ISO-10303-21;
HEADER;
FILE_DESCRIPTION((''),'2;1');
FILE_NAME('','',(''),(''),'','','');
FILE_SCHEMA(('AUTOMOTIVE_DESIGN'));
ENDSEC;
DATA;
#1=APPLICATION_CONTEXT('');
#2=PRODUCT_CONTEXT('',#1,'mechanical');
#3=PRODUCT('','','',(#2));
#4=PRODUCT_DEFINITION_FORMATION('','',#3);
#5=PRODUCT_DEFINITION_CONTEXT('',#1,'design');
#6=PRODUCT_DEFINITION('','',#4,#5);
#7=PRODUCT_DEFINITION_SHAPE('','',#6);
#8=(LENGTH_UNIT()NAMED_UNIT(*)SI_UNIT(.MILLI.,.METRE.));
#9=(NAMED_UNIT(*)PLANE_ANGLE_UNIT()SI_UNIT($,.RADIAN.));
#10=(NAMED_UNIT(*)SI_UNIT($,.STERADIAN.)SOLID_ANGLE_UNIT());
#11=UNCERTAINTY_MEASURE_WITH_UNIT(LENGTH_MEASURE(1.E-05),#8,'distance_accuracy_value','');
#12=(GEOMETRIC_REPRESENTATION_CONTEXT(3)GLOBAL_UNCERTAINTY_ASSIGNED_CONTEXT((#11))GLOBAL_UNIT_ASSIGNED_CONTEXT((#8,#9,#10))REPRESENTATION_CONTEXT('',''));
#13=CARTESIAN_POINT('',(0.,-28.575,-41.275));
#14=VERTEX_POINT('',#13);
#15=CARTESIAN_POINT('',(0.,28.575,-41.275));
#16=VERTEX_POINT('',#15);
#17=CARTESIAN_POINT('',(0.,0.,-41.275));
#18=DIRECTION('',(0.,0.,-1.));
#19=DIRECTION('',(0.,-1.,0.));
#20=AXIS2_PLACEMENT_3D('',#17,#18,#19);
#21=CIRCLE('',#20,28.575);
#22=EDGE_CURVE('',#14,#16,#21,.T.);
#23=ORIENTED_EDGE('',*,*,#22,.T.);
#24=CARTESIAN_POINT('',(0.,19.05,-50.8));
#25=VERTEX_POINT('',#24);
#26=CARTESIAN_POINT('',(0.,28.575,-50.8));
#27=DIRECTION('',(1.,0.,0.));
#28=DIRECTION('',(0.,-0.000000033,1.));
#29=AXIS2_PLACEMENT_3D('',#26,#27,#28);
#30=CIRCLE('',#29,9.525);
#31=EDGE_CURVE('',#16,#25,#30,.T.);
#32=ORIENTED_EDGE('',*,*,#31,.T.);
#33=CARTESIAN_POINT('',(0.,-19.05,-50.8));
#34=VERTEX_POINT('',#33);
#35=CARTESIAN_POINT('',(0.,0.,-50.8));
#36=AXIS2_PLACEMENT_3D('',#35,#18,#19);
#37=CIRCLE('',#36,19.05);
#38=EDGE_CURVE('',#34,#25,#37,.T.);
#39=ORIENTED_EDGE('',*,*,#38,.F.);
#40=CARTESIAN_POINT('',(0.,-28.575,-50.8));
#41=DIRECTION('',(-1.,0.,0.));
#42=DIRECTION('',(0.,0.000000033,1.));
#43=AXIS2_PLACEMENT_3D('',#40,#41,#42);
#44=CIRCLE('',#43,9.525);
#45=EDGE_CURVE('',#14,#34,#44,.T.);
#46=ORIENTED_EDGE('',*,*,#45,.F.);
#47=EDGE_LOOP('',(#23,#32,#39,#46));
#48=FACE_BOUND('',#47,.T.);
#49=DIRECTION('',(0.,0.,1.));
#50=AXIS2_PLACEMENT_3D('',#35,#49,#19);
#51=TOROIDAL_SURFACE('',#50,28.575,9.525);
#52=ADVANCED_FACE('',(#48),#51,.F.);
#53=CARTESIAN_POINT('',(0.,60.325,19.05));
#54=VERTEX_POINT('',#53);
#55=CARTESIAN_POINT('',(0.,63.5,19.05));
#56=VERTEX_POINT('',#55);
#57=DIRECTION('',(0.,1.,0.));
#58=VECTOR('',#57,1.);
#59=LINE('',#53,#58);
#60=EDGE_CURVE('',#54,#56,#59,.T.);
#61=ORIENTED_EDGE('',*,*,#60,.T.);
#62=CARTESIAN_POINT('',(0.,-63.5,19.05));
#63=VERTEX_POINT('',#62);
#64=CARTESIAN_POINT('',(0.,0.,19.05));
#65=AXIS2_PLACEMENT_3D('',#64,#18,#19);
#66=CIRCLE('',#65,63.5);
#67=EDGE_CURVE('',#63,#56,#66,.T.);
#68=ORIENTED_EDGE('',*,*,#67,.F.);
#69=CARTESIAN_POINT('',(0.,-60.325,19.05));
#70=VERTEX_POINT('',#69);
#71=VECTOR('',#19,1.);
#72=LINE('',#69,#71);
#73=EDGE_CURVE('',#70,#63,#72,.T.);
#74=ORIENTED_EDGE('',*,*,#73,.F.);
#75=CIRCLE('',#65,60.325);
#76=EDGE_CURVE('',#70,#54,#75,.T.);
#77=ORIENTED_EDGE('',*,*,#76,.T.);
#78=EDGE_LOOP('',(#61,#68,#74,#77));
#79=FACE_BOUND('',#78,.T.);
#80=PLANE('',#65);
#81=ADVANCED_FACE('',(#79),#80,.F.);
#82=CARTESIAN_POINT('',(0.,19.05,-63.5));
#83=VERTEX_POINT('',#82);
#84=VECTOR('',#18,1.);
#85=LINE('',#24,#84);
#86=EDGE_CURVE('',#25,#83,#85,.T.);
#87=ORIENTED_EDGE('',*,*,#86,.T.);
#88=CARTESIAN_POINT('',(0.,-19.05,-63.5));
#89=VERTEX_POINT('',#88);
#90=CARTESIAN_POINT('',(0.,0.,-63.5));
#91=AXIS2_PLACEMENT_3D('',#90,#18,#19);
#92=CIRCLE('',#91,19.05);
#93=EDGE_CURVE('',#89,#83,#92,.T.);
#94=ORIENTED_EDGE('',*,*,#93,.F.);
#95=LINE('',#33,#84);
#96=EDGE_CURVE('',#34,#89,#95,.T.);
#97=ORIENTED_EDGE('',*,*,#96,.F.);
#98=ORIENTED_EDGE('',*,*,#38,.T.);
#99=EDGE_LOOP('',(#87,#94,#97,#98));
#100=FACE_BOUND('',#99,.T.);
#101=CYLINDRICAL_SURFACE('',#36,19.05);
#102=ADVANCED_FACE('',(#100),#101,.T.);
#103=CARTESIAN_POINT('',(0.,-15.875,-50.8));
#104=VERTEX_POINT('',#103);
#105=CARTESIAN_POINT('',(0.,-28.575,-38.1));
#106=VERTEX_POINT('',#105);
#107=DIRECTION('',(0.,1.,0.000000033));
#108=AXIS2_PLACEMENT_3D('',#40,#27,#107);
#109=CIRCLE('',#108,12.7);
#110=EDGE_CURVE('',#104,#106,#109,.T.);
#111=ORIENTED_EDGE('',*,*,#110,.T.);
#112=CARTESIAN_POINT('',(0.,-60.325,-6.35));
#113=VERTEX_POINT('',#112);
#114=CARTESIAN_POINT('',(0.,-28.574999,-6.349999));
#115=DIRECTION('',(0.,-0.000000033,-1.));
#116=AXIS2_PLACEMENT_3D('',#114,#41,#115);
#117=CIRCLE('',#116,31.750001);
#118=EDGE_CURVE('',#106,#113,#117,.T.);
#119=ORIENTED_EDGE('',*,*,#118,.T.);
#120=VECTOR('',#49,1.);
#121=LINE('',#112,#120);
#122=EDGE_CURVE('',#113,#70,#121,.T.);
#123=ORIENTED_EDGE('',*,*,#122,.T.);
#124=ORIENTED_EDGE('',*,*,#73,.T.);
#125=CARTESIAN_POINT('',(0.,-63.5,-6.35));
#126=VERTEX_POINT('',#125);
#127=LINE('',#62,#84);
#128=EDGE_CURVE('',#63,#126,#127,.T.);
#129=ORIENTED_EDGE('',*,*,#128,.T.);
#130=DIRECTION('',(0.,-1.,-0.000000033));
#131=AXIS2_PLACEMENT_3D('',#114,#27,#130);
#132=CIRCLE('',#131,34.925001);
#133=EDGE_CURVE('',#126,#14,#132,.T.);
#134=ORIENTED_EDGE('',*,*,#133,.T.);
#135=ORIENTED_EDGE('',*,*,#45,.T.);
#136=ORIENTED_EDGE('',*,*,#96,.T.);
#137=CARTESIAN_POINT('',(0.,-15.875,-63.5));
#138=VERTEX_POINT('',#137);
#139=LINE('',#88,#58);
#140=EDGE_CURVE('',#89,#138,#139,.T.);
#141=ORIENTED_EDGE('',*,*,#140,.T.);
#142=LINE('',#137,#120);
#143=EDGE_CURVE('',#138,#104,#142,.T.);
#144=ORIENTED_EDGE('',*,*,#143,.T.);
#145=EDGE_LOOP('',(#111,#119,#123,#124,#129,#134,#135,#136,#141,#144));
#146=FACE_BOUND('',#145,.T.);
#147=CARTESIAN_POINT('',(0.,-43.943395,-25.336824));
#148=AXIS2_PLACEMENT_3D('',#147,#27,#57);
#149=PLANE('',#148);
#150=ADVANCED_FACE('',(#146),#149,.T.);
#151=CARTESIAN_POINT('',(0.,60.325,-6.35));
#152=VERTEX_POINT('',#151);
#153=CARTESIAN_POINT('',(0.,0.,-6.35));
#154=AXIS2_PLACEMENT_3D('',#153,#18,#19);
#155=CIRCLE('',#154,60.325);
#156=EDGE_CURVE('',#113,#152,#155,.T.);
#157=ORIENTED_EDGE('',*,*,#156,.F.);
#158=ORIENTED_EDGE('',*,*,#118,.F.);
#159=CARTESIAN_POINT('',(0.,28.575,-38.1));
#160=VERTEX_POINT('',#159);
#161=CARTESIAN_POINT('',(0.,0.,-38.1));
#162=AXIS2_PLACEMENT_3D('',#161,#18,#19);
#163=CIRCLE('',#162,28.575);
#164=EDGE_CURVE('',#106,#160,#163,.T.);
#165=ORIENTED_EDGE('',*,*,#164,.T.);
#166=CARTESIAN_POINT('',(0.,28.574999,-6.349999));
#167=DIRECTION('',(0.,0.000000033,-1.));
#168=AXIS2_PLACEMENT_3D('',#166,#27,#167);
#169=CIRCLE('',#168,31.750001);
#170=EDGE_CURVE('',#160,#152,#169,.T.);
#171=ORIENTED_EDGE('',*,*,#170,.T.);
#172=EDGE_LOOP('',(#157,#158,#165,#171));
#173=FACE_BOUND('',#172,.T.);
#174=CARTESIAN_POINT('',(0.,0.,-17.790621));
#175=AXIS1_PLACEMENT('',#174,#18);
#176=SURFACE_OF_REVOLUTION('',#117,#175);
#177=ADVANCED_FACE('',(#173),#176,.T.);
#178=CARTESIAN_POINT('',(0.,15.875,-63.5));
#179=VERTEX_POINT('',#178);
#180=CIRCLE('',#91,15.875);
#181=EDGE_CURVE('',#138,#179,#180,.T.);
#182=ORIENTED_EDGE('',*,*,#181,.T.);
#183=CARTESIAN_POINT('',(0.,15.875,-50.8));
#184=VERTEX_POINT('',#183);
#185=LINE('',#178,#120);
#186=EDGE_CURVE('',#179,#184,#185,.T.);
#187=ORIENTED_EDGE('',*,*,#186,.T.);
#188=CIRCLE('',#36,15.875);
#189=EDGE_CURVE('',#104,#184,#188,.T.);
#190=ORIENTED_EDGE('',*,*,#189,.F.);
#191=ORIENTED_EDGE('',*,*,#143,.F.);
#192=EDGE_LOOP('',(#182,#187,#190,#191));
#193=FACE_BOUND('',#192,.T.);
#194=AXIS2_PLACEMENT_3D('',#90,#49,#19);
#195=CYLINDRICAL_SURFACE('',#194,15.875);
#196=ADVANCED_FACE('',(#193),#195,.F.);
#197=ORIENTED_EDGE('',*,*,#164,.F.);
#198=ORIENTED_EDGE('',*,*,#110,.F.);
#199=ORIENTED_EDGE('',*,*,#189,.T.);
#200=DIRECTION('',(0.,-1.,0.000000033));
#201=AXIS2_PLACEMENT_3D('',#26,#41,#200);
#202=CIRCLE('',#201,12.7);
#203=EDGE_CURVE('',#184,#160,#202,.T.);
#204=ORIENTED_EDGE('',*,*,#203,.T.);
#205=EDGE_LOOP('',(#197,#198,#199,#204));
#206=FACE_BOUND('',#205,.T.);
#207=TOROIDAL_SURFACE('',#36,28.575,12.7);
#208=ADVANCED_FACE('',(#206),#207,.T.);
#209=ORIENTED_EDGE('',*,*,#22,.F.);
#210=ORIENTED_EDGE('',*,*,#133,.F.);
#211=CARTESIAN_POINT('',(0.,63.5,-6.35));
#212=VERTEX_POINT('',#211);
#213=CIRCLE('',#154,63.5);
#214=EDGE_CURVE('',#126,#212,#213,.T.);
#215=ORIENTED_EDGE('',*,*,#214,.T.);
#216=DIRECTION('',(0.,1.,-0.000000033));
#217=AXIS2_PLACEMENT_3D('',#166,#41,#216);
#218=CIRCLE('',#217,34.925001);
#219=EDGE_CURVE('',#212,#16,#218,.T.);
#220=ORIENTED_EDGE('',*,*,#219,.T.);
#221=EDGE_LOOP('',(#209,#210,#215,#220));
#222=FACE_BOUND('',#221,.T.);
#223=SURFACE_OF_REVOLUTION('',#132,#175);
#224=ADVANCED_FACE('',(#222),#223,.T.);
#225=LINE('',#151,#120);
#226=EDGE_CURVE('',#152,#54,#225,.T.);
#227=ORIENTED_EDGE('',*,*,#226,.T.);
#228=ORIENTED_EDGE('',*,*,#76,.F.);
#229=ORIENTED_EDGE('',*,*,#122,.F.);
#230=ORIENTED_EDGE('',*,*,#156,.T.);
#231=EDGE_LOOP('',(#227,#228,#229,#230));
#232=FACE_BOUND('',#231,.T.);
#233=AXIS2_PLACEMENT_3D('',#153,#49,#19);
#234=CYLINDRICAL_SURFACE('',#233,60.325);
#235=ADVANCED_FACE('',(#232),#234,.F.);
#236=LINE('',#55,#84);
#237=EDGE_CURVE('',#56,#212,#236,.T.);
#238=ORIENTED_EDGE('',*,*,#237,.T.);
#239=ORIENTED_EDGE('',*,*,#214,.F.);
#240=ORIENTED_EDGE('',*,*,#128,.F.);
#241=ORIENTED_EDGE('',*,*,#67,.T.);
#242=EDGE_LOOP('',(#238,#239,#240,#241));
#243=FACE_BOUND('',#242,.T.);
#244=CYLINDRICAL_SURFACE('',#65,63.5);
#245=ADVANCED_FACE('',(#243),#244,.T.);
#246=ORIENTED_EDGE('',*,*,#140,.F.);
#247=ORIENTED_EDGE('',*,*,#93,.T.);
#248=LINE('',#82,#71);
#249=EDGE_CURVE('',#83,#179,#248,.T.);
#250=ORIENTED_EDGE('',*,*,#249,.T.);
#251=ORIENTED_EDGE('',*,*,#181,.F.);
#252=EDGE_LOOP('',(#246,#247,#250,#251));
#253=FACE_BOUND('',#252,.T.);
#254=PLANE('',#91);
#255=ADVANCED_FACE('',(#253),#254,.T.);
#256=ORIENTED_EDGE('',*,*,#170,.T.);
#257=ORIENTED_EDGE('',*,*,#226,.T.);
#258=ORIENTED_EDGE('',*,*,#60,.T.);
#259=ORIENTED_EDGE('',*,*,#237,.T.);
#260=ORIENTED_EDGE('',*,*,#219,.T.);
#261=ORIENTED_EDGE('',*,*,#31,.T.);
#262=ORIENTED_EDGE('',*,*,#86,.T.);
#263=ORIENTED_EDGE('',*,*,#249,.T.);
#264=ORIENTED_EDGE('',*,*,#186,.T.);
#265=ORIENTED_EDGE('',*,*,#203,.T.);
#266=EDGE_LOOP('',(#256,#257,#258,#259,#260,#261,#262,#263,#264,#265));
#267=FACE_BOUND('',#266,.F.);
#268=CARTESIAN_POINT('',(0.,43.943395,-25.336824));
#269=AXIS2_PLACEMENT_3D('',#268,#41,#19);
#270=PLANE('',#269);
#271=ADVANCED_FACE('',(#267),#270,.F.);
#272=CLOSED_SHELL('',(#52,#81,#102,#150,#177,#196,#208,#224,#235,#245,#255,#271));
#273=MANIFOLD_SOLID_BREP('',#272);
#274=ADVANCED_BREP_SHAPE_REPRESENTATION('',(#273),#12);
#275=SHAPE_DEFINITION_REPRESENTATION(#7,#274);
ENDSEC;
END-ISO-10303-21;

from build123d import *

# Parameters (mm, degrees)
F1_ANGLE = 180


with BuildPart() as f1:
    # F0 (on Right) → F1 (revolve)
    with BuildSketch(Plane.YZ):
        with BuildLine():
            Line((-60.325, -6.35), (-60.325, 19.05))
            Line((-60.325, 19.05), (-63.5, 19.05))
            Line((-63.5, 19.05), (-63.5, -6.35))
            ThreePointArc((-63.5, -6.35), (-53.270704, -31.045704), (-28.575, -41.275))
            ThreePointArc((-28.575, -41.275), (-21.839808, -44.064808), (-19.05, -50.8))
            Line((-19.05, -50.8), (-19.05, -63.5))
            Line((-19.05, -63.5), (-15.875, -63.5))
            Line((-15.875, -63.5), (-15.875, -50.8))
            ThreePointArc((-15.875, -50.8), (-19.594744, -41.819744), (-28.575, -38.1))
            ThreePointArc((-28.575, -38.1), (-51.02564, -28.80064), (-60.325, -6.35))
        make_face()
    revolve(axis=Axis((0, 0, -17.790621), (0, 0, -1)), revolution_arc=F1_ANGLE)


solid = f1.part
